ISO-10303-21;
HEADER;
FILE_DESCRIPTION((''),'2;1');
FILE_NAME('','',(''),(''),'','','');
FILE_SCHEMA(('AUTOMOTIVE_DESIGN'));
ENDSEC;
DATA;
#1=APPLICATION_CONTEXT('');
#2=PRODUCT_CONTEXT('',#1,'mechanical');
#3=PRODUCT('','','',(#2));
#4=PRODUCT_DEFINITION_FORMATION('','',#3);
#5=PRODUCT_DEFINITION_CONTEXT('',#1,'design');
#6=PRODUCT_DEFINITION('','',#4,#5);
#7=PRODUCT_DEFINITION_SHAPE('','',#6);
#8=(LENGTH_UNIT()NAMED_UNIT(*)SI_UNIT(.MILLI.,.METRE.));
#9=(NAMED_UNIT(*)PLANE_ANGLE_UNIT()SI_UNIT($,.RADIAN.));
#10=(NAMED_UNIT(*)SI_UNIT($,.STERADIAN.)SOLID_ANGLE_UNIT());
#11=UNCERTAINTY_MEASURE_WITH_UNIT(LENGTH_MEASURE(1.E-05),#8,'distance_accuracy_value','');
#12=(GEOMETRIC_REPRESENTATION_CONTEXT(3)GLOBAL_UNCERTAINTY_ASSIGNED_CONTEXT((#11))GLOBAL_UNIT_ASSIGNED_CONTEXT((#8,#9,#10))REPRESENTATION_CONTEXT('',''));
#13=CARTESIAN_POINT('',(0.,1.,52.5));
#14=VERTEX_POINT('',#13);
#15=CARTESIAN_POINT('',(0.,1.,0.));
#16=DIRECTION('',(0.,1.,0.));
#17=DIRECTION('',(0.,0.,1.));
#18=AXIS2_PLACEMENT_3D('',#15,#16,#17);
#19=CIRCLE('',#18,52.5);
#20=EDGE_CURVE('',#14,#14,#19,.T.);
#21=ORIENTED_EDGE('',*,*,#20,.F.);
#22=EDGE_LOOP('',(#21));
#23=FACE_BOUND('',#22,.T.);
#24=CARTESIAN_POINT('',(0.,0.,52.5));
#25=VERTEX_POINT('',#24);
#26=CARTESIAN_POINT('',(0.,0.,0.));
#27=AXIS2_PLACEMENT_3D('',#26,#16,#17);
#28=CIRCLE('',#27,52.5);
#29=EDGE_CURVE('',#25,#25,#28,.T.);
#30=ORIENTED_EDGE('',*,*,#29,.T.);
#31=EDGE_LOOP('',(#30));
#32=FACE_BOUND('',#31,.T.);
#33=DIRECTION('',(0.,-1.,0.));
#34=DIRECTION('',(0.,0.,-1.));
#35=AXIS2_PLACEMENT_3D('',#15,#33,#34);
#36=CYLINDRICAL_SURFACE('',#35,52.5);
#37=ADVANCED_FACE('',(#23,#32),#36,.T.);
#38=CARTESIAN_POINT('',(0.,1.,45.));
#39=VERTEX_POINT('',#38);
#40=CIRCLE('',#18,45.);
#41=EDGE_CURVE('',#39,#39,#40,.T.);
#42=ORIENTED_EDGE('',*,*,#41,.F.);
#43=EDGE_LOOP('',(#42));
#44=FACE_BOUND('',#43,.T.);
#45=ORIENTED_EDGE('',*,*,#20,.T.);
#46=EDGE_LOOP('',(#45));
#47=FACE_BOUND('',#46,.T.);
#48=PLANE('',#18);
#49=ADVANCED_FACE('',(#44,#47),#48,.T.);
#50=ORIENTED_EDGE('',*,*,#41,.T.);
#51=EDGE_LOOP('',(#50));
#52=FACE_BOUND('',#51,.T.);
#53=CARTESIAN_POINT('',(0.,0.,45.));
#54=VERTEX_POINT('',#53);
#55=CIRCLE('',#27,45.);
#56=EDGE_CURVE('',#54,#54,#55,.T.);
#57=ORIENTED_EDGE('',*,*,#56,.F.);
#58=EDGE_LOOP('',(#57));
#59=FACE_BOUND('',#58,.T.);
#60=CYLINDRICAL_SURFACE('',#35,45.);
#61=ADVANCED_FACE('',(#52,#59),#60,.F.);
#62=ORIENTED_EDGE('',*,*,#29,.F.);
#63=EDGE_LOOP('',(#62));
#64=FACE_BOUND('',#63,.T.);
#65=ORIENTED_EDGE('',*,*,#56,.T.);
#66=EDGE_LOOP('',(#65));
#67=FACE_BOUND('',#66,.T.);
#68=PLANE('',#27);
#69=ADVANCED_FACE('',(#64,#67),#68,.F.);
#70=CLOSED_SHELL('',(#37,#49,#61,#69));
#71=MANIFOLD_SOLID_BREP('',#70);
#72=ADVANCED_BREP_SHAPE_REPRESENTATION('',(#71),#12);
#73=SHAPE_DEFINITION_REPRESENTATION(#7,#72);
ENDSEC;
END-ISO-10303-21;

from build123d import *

# Parameters (mm, degrees)
ESBO_O1_R                = 52.5
ESBO_O1_R_2              = 45
RESSALTO_EXTRUS_O1_DEPTH = 1


with BuildPart() as part:
    # Esboço1 → Ressalto-extrusão1 (new body)
    with BuildSketch(Plane(origin=(0, 0, 0), x_dir=(1, 0, 0), z_dir=(0, 1, 0))):
        with Locations(Location((0, 0, 0), (0, 0, 270))):
            Circle(ESBO_O1_R)
        with Locations(Location((0, 0, 0), (0, 0, 270))):
            Circle(ESBO_O1_R_2, mode=Mode.SUBTRACT)
    extrude(amount=RESSALTO_EXTRUS_O1_DEPTH)


solid = part.part
